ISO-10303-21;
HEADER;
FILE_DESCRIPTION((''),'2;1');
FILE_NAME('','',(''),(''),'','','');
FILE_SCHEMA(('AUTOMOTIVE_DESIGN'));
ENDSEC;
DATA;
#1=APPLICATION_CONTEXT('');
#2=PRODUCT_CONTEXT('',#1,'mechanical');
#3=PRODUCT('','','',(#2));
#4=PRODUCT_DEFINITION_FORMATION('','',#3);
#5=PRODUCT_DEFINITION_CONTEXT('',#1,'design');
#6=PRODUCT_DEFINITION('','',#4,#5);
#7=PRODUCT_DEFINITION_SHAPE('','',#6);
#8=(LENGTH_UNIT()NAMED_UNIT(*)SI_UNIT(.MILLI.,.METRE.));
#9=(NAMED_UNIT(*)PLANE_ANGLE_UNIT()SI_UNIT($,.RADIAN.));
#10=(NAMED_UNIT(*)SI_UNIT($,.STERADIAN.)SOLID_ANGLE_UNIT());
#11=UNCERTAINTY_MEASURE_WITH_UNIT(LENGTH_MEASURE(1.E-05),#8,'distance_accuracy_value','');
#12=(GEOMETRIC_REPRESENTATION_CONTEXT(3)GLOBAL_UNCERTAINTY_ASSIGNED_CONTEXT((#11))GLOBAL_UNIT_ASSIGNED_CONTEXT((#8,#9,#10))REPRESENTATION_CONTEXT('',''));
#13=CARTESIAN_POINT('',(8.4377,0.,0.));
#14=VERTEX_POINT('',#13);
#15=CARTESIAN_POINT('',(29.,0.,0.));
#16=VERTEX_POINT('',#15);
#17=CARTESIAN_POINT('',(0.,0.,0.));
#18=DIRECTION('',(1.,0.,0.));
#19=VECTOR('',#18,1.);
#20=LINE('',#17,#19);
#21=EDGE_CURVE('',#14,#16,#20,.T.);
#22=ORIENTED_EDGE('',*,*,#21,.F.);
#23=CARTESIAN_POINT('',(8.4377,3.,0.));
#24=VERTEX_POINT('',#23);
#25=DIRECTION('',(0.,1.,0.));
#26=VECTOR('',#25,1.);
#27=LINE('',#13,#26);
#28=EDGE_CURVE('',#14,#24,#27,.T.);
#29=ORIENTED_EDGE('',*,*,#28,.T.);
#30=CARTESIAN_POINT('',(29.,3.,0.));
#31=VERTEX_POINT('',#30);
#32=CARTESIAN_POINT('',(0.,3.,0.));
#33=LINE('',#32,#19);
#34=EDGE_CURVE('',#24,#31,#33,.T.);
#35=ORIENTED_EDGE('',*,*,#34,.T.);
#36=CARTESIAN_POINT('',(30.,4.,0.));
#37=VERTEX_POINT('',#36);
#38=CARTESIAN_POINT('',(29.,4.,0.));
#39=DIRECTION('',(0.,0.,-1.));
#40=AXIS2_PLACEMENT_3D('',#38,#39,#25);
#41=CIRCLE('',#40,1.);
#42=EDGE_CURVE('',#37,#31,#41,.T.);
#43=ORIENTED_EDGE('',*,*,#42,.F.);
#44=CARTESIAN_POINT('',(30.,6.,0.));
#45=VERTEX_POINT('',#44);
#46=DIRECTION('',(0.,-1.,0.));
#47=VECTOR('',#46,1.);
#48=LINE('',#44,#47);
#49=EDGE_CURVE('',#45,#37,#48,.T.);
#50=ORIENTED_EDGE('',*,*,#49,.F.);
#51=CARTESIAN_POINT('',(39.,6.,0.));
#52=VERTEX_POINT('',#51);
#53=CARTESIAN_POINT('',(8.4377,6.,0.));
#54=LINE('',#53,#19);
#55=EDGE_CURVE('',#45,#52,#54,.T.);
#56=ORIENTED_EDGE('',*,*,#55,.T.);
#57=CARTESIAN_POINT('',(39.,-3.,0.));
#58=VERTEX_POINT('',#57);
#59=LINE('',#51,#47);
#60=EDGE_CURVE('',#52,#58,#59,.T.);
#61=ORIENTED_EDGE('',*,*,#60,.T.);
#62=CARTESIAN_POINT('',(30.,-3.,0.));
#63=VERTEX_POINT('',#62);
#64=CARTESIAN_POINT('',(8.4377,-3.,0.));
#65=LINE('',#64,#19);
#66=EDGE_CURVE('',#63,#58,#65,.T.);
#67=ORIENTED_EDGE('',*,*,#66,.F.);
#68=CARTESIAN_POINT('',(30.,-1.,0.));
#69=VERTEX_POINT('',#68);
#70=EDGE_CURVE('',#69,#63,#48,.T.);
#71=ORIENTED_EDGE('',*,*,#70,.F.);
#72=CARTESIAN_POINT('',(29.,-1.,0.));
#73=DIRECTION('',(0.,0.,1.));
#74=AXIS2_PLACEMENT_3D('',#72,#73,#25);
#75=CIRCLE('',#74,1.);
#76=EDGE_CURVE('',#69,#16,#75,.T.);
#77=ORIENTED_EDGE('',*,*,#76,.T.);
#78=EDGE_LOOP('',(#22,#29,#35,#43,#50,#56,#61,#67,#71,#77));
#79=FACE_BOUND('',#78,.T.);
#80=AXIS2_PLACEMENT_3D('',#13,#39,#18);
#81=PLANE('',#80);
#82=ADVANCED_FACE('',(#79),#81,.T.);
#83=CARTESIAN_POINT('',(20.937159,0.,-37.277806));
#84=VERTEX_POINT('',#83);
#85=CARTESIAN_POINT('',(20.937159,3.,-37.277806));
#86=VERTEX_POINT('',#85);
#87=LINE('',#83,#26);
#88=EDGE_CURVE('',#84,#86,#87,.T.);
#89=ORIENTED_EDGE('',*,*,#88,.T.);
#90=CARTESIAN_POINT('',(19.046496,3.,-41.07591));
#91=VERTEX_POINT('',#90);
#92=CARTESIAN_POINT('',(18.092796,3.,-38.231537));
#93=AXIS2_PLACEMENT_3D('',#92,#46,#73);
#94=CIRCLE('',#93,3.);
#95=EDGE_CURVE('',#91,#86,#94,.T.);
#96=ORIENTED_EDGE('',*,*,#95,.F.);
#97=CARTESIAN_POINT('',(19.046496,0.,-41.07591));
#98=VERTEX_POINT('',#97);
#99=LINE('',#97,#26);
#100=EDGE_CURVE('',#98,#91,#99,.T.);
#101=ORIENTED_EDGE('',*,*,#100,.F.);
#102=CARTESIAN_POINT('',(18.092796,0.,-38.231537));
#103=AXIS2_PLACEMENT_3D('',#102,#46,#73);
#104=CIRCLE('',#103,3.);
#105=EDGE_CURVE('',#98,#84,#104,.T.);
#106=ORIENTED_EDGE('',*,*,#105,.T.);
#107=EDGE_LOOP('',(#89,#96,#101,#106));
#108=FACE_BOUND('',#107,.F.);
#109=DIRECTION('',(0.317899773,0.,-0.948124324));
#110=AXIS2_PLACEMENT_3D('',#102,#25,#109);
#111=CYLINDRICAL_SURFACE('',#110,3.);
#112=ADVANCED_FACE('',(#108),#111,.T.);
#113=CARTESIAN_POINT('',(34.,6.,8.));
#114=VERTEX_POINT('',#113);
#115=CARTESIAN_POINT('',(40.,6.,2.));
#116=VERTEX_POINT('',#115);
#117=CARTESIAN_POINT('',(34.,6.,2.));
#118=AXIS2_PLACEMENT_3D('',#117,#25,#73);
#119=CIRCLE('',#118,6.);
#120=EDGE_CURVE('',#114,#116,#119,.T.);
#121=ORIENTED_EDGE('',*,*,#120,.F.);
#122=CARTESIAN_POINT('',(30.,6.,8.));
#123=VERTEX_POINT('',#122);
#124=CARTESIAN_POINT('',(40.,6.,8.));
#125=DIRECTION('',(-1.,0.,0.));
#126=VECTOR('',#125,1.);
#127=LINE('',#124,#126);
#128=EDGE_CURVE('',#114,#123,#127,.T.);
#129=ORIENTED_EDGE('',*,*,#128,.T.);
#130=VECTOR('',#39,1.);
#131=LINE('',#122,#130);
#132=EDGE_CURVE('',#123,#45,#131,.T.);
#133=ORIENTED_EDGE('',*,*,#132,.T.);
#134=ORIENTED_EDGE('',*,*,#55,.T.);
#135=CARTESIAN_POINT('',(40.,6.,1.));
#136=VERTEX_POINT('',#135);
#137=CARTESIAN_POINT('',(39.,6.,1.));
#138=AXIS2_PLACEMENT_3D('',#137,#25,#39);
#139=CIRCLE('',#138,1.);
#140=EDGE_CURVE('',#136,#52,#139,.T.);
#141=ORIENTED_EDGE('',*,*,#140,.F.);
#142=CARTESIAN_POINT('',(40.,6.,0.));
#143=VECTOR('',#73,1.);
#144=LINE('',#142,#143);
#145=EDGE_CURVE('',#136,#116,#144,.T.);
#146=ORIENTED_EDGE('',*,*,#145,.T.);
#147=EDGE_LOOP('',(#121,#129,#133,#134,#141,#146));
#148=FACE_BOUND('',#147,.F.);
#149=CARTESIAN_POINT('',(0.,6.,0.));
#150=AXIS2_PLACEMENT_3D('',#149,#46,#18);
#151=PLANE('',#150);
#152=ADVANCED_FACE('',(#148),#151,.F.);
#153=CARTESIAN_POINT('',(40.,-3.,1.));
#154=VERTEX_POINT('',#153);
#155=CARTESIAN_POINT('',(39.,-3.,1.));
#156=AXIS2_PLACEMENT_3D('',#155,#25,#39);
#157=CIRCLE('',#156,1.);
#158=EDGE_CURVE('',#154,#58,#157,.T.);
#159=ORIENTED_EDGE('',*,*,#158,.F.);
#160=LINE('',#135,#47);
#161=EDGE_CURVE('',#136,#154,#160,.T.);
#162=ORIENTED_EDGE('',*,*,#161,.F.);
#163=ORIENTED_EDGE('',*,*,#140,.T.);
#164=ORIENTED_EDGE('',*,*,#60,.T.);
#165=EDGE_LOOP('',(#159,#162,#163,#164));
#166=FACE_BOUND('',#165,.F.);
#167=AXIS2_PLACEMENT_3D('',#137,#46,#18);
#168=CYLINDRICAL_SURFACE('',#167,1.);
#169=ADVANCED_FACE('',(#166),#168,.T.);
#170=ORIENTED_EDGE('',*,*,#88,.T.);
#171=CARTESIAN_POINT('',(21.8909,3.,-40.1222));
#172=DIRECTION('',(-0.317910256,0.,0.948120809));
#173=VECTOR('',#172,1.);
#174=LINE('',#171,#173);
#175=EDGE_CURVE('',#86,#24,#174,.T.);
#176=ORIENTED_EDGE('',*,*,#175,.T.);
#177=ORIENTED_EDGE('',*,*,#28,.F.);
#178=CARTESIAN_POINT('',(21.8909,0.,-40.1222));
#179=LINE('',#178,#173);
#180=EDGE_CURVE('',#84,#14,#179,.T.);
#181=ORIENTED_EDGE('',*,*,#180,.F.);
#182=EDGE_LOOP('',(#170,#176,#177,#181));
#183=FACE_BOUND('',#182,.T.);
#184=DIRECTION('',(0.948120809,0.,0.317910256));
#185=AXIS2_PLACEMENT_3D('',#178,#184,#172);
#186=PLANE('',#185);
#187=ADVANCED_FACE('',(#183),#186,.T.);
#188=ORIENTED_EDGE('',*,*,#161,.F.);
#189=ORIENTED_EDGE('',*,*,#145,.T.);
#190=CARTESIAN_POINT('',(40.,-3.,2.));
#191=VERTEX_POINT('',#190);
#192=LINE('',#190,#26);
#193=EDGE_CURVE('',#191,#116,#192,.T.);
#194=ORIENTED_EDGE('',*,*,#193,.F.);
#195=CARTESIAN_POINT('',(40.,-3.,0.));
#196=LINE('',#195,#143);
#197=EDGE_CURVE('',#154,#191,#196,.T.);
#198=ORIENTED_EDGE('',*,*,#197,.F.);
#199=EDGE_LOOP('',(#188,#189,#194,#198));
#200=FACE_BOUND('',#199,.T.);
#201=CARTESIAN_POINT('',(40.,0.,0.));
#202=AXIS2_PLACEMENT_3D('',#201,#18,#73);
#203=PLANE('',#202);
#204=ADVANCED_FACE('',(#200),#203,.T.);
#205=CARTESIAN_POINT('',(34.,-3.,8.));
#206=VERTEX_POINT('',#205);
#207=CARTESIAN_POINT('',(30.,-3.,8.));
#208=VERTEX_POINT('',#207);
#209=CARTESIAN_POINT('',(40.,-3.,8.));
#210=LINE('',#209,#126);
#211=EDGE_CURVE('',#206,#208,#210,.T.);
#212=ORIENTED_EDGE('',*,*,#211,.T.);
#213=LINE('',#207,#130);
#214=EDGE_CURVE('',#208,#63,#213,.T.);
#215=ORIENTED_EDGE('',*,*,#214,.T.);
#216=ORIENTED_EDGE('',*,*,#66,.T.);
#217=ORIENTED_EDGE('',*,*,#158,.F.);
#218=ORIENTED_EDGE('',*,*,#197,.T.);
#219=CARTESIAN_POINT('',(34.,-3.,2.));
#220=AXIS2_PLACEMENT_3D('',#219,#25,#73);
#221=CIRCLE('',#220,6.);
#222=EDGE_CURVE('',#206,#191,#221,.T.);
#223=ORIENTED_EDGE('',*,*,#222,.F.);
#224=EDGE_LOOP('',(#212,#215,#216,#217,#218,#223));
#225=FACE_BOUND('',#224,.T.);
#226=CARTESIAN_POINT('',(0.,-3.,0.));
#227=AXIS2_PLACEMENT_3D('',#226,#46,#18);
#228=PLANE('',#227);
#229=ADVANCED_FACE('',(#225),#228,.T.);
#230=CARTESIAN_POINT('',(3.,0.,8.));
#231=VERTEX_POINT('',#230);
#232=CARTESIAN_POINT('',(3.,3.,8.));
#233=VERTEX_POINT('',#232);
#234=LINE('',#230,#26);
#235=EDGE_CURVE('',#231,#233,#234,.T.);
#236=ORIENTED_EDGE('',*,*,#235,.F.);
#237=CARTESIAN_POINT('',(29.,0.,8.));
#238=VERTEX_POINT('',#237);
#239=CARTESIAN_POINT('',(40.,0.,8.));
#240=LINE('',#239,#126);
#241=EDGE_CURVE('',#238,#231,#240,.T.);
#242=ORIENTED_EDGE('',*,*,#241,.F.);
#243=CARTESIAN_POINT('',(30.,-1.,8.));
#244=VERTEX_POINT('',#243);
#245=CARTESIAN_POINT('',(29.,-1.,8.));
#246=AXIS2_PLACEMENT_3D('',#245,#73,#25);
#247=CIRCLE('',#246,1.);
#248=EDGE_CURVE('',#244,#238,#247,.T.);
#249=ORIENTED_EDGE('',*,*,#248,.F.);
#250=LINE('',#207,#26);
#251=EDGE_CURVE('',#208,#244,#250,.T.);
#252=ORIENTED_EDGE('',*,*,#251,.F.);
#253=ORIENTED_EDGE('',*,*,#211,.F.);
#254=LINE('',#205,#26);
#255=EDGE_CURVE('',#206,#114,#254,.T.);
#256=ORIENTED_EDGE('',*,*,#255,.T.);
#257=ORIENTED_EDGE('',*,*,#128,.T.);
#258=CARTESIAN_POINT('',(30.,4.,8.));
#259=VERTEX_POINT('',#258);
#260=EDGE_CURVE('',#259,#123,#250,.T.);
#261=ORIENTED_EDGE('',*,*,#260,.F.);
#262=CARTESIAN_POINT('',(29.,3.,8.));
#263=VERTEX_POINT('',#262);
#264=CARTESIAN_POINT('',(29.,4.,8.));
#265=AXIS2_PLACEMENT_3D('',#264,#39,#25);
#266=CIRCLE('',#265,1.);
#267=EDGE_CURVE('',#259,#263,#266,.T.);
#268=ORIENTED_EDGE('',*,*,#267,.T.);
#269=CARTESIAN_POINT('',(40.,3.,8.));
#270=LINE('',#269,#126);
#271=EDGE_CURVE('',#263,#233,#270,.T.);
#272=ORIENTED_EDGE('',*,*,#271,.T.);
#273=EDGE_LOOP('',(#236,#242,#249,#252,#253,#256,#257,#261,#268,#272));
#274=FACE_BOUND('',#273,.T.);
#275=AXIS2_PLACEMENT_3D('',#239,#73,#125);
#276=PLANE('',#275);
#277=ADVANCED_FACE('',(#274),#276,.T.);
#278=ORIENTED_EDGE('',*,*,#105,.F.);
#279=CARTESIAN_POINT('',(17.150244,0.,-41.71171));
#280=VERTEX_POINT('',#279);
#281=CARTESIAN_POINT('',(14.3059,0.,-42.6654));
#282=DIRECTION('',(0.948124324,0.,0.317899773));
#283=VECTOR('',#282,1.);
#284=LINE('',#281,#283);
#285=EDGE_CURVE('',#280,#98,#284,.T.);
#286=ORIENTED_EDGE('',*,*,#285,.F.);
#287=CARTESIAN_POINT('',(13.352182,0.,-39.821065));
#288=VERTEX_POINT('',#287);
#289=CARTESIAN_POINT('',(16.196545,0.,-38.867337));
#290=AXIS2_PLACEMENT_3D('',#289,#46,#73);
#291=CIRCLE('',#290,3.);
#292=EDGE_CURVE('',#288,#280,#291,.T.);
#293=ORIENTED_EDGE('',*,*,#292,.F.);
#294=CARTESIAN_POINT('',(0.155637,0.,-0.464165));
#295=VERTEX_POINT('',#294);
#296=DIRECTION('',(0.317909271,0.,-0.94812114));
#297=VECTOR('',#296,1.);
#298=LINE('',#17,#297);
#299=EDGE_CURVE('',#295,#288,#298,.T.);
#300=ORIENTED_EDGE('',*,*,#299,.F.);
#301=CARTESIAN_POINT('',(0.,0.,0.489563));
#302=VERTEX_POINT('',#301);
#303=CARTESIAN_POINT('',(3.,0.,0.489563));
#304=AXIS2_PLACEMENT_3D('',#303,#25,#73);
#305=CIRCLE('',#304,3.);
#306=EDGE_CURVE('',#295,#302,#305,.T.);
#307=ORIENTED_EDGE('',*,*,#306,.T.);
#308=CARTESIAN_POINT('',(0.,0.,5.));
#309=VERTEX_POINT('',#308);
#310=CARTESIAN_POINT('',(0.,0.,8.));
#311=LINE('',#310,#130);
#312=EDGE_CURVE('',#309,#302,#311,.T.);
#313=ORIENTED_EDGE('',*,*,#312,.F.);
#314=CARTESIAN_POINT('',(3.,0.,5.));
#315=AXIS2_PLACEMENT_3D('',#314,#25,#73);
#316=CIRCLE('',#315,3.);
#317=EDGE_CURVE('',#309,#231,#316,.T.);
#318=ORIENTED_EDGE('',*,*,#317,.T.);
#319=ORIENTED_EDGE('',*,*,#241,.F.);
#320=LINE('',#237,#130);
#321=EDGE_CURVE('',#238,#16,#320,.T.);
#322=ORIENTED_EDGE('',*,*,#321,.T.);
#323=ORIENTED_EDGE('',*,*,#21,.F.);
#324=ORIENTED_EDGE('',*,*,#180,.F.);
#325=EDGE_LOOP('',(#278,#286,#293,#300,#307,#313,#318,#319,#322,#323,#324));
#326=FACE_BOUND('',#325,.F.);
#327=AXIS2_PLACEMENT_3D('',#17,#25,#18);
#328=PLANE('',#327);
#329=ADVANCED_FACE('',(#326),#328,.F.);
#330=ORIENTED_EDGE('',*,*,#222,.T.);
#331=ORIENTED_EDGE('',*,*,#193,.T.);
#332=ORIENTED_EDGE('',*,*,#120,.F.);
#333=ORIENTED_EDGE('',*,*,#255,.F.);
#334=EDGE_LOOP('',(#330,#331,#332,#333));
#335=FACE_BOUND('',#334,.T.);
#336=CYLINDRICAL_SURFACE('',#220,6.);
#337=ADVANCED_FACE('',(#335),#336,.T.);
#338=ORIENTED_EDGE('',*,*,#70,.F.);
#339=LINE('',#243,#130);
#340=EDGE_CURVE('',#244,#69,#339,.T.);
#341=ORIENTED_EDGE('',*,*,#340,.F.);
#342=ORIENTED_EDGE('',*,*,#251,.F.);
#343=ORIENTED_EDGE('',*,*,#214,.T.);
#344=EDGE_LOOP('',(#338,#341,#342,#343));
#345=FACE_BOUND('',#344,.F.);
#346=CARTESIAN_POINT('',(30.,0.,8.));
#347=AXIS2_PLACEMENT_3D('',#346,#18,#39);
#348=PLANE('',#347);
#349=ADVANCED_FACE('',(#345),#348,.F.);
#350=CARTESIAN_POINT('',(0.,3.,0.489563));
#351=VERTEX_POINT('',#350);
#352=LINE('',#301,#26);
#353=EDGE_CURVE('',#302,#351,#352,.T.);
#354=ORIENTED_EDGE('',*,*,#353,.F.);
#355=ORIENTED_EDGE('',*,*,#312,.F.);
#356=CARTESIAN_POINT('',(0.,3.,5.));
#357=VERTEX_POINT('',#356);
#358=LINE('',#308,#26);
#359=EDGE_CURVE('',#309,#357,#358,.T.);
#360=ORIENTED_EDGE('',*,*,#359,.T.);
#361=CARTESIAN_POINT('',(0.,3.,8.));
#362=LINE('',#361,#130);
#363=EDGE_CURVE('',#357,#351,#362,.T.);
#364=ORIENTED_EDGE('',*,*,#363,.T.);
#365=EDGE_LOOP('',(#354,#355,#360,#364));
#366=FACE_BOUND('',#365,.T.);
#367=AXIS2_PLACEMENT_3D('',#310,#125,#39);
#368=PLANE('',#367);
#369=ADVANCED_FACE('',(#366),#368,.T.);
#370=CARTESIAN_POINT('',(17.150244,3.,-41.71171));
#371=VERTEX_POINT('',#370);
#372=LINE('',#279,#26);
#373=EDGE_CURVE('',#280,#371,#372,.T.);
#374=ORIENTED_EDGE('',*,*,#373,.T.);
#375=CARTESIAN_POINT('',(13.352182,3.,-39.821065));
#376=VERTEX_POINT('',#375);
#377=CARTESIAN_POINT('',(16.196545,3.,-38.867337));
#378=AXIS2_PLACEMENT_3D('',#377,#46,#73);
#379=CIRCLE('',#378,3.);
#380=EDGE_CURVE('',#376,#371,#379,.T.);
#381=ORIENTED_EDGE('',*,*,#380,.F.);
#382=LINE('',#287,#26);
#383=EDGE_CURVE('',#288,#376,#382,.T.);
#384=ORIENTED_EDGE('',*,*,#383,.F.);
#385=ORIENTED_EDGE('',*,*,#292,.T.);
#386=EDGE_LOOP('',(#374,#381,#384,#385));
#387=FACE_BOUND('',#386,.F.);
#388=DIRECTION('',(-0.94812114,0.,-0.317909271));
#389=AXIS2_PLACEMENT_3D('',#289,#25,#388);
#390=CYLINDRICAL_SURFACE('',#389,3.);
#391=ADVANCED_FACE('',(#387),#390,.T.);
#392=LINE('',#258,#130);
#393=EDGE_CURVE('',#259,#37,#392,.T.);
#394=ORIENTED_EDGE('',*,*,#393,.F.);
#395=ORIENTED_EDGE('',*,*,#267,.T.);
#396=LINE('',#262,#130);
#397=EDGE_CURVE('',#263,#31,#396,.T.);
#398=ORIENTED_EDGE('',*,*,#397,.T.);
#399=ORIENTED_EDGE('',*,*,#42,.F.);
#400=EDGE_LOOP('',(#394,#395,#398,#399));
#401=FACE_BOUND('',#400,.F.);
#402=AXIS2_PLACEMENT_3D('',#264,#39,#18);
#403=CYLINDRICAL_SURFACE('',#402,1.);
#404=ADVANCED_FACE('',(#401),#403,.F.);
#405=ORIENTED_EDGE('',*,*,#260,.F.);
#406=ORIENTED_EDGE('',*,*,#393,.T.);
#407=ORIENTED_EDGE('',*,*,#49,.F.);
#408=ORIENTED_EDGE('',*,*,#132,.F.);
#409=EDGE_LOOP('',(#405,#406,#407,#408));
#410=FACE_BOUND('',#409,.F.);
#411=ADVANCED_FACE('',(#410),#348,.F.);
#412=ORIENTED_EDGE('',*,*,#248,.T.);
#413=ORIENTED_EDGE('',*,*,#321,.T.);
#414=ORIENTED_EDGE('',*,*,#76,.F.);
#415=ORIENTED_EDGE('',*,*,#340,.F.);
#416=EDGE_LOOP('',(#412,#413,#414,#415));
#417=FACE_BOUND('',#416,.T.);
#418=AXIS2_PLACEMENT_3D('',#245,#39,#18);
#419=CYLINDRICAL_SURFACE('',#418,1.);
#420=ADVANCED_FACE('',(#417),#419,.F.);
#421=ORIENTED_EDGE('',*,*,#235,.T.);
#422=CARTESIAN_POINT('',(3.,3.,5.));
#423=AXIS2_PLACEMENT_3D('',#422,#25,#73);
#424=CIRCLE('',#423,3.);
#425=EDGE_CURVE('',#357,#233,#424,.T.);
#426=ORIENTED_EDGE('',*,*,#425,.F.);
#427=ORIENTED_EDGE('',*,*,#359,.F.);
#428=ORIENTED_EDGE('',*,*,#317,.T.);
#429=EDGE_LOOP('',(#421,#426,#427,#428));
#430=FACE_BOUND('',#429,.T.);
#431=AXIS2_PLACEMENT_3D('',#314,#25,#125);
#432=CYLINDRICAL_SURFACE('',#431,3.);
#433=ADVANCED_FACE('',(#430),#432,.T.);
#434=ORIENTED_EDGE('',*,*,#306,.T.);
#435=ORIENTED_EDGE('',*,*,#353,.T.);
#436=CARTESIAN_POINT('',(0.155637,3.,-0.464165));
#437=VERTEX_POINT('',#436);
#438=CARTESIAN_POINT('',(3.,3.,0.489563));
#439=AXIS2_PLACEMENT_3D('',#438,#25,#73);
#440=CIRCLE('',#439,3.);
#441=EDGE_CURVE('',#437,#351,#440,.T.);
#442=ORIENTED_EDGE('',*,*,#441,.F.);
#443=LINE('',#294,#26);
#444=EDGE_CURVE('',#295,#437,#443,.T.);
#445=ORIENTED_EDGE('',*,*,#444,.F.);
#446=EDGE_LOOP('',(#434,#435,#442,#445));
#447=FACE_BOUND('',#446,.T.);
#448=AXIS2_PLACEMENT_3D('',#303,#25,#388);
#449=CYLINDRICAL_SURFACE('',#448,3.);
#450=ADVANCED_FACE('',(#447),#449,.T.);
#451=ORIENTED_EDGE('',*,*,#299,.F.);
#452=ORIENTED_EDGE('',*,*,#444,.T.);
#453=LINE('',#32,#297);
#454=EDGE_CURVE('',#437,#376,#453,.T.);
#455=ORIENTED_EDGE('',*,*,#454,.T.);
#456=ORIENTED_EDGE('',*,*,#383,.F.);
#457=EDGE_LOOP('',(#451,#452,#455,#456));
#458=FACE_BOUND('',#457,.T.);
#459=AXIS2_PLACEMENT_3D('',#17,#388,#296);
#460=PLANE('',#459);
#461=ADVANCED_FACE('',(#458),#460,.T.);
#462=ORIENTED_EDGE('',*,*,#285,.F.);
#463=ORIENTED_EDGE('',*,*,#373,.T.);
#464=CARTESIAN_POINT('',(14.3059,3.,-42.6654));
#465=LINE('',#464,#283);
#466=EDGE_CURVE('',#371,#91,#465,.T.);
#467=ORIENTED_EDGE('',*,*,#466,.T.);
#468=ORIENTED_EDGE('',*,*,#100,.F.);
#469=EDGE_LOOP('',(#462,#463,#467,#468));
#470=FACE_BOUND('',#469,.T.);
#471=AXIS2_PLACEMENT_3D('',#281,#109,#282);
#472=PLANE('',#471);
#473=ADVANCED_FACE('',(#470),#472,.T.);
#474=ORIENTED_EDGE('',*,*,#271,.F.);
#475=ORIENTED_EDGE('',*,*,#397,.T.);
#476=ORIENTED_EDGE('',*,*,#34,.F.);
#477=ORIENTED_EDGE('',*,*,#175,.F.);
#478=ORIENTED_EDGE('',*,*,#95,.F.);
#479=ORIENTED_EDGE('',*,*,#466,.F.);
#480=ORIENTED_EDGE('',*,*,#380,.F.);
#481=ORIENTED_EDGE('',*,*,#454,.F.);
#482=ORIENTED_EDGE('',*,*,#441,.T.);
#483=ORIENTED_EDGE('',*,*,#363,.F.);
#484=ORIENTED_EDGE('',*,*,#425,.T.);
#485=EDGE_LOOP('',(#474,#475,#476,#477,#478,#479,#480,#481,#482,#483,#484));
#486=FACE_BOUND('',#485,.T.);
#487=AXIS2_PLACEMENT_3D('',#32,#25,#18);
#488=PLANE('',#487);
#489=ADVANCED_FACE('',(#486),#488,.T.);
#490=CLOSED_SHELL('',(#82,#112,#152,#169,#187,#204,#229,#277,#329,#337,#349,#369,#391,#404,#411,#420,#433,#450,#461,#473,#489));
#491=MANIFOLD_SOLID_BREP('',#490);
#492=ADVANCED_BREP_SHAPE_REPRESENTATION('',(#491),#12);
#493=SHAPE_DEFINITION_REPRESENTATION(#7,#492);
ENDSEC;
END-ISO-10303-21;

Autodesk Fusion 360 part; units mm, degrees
sketch "Sketch1" plane through (0, 0, 0) normal (0, 1, 0) x (1, 0, 0)
  line L0 (0, 0) -> (40, 0)
  line L1 (40, 0) -> (40, -8)
  line L2 (40, -8) -> (0, -8)
  line L3 (0, -8) -> (0, 0)
  line L4 (0, 0) -> (14.3059, 42.6654)
  line L5 (14.3059, 42.6654) -> (21.8909, 40.1222)
  line L6 (21.8909, 40.1222) -> (8.4377, 0)
  dimension "d1" = 40
  dimension "d2" = 8
  dimension "d4" = 8
  dimension "d5" = 71.463
  dimension "d9" = 45
extrude "Extrude3" add sketch "Sketch1" along normal blind 3
fillet "Fillet8" radius 3 4 edges at (0, 1.5, 8) (0, 1.5, 0) (14.3059, 1.5, -42.6654) (21.8909, 1.5, -40.1222)
sketch "Sketch4" plane through (0, 0, 0) normal (0, -1, 0) x (1, 0, 0)
  arc A0 (19.0465, -41.0759) -> (20.9372, -37.2778) centre (18.0928, -38.2315) ccw
  line L0 (20.9372, -37.2778) -> (8.4377, 0)
  line L1 (8.4377, 0) -> (40, 0)
  line L2 (40, 0) -> (40, 8)
  line L3 (40, 8) -> (3, 8)
  arc A1 (3, 8) -> (0, 5) centre (3, 5) ccw
  line L4 (0, 5) -> (0, 0.4896)
  arc A2 (0, 0.4896) -> (0.1556, -0.4642) centre (3, 0.4896) ccw
  line L5 (0.1556, -0.4642) -> (13.3522, -39.8211)
  arc A3 (13.3522, -39.8211) -> (17.1503, -41.7117) centre (16.1966, -38.8674) ccw
  line L6 (17.1503, -41.7117) -> (19.0465, -41.0759)
  line L7 (40, 8) -> (30, 8)
  line L8 (30, 8) -> (30, 0)
  line L9 (30, 0) -> (40, 0)
  line L10 (40, 0) -> (40, 8)
  dimension "d26" = 10
extrude "Extrude4" add sketch "Sketch4" along normal blind 3 and the other way blind 6 contours L1 L2 L3 L7 L8 L9 L10
fillet "Fillet9" radius 6 1 edges at (40, 1.5, 8)
fillet "Fillet10" radius 1 1 edges at (40, 1.5, 0)
fillet "Fillet11" radius 1 2 edges at (30, 0, 4) (30, 3, 4)
extrude "Extrude1" [suppressed]
moveface "MoveFace1" [suppressed]
fillet "Fillet1" [suppressed]
fillet "Fillet2" [suppressed]
sketch "Sketch2" plane through (0, 0, 0) normal (0, 1, 0) x (1, 0, 0)
  line L0 (40, -8) -> (31, -8)
  line L1 (31, -8) -> (31, 0)
  line L2 (31, 0) -> (40, 0)
  line L3 (40, 0) -> (40, -8)
  line L4 (40, 0) -> (40, -8)
  dimension "d12" = 9
  dimension "d13" = 8
extrude "Extrude2" [suppressed]
fillet "Fillet3" [suppressed]
fillet "Fillet4" [suppressed]
fillet "Fillet5" [suppressed]
sketch "Sketch3" plane through (0, 0, 0) normal (0, 1, 0) x (1, 0, 0)
delete_face "DeleteFace1" [suppressed]
fillet "Fillet6" [suppressed]
delete_face "DeleteFace2" [suppressed]
fillet "Fillet7" [suppressed]
